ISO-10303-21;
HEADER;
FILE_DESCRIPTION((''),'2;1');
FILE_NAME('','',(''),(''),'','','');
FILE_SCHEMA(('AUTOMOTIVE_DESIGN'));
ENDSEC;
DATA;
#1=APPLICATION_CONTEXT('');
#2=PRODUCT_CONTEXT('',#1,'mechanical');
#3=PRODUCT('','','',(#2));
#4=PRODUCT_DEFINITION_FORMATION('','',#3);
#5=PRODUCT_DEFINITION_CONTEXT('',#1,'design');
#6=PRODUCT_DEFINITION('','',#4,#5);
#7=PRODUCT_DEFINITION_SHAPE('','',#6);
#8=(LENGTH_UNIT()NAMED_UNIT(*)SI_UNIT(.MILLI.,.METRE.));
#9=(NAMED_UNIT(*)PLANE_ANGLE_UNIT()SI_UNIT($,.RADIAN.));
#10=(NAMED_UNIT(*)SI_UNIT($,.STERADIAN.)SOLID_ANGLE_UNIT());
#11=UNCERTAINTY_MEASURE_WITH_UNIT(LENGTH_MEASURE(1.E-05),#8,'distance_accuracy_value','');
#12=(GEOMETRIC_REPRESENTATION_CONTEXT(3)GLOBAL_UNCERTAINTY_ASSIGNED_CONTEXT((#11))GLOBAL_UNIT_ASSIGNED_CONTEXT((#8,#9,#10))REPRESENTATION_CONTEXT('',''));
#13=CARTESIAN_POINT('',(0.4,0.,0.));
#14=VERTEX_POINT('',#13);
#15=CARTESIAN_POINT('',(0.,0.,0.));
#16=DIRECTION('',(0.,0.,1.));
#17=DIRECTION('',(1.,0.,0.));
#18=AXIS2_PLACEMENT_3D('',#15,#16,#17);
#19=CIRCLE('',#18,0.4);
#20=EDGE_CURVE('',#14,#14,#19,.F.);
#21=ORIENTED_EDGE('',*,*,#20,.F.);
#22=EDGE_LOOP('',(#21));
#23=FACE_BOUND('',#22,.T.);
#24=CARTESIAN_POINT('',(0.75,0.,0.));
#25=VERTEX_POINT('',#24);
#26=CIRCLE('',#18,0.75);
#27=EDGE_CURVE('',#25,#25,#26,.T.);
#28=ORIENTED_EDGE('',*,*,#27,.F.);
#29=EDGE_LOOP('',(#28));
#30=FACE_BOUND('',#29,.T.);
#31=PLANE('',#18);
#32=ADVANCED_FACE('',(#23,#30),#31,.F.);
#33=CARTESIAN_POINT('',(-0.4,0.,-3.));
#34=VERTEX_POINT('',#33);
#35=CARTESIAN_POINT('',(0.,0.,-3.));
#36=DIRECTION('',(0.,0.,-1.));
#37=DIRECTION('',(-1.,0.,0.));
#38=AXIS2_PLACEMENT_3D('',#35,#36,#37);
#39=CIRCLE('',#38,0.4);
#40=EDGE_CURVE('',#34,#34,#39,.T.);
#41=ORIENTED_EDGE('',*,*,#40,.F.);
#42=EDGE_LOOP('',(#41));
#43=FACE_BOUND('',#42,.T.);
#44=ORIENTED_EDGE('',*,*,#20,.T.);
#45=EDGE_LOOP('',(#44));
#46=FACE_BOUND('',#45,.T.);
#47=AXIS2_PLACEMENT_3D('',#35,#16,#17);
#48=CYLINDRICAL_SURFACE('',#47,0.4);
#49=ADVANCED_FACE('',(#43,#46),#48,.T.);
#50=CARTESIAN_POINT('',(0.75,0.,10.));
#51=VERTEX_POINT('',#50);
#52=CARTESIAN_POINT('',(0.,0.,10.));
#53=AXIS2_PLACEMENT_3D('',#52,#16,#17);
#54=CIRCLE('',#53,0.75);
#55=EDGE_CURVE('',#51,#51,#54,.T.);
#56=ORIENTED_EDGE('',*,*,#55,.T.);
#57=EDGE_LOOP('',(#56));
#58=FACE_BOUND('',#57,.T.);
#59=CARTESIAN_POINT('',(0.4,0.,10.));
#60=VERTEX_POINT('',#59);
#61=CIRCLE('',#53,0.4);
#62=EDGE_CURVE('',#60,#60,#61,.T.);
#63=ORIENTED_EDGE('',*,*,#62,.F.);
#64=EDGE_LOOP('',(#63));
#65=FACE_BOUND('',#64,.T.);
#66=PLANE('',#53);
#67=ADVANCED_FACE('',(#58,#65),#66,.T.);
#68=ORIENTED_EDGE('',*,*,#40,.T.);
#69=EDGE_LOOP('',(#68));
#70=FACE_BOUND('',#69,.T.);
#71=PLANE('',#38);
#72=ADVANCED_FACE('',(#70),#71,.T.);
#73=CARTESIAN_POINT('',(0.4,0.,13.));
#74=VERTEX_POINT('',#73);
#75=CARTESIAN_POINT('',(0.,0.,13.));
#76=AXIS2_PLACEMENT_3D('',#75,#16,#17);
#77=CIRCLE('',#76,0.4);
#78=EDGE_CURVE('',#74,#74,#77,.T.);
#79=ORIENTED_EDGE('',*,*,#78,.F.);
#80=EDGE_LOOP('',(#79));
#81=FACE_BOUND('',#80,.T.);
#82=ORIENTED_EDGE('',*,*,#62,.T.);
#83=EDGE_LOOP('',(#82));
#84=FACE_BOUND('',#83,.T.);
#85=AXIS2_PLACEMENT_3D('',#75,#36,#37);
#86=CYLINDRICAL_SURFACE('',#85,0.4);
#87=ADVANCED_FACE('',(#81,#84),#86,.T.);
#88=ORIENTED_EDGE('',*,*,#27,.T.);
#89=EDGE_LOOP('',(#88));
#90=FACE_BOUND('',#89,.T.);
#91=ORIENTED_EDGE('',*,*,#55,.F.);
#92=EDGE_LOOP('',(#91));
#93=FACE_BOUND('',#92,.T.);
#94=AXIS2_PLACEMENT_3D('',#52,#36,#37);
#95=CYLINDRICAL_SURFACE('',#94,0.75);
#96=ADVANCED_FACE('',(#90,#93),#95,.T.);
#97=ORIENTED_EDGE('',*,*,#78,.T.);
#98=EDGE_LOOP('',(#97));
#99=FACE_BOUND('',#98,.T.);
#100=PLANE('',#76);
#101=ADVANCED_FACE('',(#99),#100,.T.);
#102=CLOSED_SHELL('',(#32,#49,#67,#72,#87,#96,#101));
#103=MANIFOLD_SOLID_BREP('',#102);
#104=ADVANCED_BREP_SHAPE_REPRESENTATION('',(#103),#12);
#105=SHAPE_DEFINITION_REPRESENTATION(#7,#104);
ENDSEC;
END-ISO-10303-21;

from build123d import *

# Parameters (mm, degrees)
SKETCH1_R           = 0.75
BOSS_EXTRUDE1_DEPTH = 10
SKETCH3_R           = 0.4
BOSS_EXTRUDE2_DEPTH = 3
SKETCH4_R           = 0.4
BOSS_EXTRUDE3_DEPTH = 3


with BuildPart() as part:
    # Sketch1 → Boss-Extrude1 (new body)
    with BuildSketch(Plane.XY):
        Circle(SKETCH1_R)
    extrude(amount=BOSS_EXTRUDE1_DEPTH)

    # Sketch3 → Boss-Extrude2 (add)
    with BuildSketch(Plane.XY.offset(10)):
        Circle(SKETCH3_R)
    extrude(amount=BOSS_EXTRUDE2_DEPTH)

    # Sketch4 → Boss-Extrude3 (add)
    with BuildSketch(Plane(origin=(0, 0, 0), x_dir=(-1, 0, 0), z_dir=(0, 0, -1))):
        Circle(SKETCH4_R)
    extrude(amount=BOSS_EXTRUDE3_DEPTH)


solid = part.part
